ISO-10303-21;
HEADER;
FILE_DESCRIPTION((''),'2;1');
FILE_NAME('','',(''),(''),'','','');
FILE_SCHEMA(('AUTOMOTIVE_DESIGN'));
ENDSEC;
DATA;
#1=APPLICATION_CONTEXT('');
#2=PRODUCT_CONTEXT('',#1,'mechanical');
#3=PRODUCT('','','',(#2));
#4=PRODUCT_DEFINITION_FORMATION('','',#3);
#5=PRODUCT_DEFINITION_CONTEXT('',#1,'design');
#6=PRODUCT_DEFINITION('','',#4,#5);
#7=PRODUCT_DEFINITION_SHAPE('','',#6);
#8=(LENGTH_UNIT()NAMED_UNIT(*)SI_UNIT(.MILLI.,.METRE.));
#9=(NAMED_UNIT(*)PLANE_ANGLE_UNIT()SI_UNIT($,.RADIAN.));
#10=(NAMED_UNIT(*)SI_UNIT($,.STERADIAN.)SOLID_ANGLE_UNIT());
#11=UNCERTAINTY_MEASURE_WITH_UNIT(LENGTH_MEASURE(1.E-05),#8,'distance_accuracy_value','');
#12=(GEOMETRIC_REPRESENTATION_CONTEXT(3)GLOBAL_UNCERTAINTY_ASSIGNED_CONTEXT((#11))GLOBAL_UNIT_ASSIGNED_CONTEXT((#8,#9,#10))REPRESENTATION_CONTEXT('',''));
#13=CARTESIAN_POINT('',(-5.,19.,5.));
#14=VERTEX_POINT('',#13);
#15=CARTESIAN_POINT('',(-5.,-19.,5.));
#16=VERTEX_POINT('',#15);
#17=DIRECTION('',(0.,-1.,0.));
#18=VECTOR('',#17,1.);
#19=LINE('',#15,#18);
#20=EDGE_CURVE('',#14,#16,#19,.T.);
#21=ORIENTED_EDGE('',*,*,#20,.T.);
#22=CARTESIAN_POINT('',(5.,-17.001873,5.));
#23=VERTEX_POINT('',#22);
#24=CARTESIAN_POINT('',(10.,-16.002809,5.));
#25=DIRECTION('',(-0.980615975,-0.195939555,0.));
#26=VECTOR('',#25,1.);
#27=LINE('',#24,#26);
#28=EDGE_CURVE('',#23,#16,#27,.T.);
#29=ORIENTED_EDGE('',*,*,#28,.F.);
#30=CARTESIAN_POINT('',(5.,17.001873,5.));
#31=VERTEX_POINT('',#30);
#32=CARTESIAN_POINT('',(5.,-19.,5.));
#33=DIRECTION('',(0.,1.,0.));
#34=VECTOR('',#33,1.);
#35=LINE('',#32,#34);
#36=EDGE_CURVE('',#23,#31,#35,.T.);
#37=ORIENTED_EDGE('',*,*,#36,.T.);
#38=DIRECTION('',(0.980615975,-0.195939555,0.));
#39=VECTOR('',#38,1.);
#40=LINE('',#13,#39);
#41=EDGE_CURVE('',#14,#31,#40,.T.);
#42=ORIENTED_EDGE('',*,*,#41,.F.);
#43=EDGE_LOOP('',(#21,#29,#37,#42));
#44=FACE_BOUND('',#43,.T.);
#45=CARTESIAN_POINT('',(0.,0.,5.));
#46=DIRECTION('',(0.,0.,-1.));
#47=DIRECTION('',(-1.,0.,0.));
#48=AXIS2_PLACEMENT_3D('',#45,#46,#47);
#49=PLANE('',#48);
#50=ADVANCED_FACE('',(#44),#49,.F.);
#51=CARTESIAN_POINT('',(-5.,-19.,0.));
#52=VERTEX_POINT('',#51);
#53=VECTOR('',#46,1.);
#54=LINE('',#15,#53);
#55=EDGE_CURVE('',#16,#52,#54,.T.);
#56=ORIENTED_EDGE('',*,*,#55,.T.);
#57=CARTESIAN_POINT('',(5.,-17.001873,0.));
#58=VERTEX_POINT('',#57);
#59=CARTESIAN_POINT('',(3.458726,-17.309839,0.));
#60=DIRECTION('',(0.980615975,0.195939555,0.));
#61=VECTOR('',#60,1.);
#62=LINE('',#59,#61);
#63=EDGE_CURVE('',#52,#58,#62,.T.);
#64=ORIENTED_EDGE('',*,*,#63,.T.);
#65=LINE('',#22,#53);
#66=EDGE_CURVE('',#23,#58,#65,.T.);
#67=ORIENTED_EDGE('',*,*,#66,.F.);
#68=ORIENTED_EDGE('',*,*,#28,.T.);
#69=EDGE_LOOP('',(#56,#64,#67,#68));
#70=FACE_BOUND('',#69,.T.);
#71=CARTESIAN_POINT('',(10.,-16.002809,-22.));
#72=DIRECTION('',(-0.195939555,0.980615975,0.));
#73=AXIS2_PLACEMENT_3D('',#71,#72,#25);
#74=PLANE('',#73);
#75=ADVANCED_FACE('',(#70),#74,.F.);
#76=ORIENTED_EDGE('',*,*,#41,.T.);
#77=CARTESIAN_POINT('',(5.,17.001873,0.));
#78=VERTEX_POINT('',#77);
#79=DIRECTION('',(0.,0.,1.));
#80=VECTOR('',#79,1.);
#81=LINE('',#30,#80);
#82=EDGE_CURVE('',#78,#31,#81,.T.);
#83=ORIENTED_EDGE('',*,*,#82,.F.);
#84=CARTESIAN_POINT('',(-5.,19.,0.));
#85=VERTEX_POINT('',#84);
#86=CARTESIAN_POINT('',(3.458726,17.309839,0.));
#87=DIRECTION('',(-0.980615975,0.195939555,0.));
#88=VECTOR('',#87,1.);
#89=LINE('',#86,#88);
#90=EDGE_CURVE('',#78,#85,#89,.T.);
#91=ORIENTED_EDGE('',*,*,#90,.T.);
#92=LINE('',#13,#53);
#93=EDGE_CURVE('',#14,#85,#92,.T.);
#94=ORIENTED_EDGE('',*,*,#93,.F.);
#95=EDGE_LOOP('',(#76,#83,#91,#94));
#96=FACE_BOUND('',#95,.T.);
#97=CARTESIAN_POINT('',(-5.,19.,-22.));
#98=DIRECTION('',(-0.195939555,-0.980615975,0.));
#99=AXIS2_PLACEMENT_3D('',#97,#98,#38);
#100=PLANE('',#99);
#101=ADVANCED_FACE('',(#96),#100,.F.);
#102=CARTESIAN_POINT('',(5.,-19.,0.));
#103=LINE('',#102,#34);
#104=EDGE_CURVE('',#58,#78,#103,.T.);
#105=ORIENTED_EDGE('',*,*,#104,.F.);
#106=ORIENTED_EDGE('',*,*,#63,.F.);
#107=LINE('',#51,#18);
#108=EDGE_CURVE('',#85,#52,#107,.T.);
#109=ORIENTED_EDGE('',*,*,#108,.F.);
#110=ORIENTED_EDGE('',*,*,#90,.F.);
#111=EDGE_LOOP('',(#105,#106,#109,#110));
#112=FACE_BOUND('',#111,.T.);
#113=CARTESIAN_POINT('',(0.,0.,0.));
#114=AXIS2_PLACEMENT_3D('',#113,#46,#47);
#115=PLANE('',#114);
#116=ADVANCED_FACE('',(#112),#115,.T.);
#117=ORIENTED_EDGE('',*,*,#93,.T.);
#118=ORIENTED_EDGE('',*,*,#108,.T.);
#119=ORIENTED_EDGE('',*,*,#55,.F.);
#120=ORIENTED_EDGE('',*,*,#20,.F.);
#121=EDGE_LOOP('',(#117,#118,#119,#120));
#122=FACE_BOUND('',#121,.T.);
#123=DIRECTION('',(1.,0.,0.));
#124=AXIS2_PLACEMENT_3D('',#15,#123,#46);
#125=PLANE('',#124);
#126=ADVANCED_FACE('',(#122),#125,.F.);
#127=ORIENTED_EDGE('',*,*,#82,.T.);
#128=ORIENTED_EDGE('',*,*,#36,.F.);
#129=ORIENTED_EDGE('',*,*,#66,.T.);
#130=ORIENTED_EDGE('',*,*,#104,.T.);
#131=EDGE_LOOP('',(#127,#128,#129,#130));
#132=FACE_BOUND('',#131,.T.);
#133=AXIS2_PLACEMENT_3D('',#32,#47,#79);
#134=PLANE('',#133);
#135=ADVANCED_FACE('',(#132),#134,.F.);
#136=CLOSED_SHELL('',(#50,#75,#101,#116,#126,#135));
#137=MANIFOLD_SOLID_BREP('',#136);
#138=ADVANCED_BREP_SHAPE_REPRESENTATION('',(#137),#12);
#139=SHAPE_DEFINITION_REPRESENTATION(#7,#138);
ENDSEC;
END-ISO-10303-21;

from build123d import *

# Parameters (mm, degrees)
SKETCH1_W           = 10
SKETCH1_H           = 38
BOSS_EXTRUDE1_DEPTH = 5
CUT_EXTRUDE1_DEPTH  = 27


with BuildPart() as part:
    # Sketch1 → Boss-Extrude1 (new body)
    with BuildSketch(Plane.XY):
        Rectangle(SKETCH1_W, SKETCH1_H)
    extrude(amount=BOSS_EXTRUDE1_DEPTH)

    # Sketch2 → Cut-Extrude1 (cut)
    with BuildSketch(Plane.XY.offset(5)):
        Polygon((-5, 19), (10, 16.002809057), (10, -16.002809057), (-5, -19), (-5, -28.706643241), (20.481775337, -28.706643241), (20.481775337, 22.293356759), (-5.034485411, 22.293356759), align=None)
    extrude(amount=-CUT_EXTRUDE1_DEPTH, mode=Mode.SUBTRACT)


solid = part.part
